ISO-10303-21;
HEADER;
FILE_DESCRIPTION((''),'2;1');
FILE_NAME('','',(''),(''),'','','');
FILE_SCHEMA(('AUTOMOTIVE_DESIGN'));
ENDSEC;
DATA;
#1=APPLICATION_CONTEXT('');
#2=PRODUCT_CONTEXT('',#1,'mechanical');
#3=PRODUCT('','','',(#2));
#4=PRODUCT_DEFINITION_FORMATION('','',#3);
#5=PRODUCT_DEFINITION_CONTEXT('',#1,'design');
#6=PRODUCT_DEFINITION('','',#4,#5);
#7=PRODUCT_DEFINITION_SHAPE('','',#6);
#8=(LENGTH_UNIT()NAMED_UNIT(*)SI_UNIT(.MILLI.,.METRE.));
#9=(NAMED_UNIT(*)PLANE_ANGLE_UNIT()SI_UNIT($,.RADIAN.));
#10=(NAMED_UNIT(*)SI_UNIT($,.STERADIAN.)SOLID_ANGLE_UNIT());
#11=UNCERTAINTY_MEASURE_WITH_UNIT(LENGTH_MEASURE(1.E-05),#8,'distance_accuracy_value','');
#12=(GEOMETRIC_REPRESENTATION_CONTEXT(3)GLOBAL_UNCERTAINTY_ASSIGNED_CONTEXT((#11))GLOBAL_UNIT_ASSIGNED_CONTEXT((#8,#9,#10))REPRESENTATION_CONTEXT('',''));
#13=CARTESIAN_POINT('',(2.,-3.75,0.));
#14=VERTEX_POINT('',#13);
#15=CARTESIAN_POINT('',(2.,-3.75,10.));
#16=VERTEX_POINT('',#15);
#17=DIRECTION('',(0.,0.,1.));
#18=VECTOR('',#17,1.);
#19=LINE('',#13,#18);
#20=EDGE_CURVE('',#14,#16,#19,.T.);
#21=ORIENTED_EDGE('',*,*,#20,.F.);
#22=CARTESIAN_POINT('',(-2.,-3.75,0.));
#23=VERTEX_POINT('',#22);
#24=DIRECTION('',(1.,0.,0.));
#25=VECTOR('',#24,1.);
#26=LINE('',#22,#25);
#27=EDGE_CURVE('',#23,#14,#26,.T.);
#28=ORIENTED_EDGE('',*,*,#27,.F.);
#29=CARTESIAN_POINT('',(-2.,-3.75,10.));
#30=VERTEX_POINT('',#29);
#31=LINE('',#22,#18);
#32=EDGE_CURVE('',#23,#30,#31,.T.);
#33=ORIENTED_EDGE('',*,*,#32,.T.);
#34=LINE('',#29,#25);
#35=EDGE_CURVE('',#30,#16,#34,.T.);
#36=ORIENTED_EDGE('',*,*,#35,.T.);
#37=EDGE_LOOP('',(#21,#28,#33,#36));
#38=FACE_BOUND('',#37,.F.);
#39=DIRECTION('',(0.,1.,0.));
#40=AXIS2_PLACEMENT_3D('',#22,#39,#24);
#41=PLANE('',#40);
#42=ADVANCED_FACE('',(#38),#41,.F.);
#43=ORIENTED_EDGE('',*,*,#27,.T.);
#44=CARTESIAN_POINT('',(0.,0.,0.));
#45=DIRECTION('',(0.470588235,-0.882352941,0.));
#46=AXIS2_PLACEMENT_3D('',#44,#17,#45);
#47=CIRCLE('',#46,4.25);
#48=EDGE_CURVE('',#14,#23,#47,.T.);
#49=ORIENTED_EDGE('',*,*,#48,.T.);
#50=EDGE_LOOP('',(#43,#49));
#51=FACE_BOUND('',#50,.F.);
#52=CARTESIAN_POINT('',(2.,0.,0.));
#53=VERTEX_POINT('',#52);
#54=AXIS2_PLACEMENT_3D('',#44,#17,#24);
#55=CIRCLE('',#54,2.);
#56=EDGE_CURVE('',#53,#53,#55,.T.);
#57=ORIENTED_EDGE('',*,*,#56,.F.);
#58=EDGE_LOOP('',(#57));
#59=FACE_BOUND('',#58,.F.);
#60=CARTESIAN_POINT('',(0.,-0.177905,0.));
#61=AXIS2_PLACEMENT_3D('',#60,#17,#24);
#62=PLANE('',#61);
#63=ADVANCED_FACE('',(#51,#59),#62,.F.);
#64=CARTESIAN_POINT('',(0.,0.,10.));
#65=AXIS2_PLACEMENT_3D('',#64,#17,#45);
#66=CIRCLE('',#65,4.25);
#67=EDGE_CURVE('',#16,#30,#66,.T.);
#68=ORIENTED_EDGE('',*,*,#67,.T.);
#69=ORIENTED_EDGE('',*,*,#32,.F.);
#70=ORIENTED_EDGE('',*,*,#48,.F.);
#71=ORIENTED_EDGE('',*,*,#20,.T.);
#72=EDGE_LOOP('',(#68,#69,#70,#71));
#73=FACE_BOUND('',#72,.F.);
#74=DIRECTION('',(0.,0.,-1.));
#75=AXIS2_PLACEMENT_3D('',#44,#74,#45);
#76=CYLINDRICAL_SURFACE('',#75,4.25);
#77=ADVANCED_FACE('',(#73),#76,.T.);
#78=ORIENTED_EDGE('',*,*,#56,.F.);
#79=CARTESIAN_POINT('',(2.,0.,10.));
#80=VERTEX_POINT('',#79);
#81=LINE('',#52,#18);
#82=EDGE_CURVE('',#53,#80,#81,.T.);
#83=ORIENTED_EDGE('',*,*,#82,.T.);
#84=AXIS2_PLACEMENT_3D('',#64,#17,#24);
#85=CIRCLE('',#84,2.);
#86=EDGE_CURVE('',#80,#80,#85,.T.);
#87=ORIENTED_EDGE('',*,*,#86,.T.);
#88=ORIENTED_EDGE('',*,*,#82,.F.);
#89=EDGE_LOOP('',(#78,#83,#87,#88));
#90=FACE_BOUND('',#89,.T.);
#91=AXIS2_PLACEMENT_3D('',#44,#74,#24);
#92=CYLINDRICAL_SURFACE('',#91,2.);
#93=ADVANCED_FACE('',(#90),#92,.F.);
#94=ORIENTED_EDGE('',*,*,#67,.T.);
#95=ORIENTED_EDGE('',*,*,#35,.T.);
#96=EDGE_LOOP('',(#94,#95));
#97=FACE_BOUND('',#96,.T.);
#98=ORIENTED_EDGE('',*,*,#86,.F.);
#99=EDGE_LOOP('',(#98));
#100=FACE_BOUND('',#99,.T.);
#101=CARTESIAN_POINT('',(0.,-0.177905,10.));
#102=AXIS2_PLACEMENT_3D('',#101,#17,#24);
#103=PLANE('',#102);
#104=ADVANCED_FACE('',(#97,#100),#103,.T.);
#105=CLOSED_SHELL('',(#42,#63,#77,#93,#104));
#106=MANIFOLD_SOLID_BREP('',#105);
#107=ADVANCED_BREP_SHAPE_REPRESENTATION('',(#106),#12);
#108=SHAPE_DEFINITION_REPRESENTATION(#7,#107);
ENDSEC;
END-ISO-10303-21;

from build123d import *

# Parameters (mm, degrees)
F0_R     = 2
F1_DEPTH = 10


with BuildPart() as f1:
    # F0 (on Top) → F1 (new body)
    with BuildSketch(Plane.XY):
        with BuildLine():
            Line((-2, -3.75), (2, -3.75))
            ThreePointArc((2, -3.75), (0, 4.25), (-2, -3.75))
        make_face()
        Circle(F0_R, mode=Mode.SUBTRACT)
    extrude(amount=F1_DEPTH)


solid = f1.part
